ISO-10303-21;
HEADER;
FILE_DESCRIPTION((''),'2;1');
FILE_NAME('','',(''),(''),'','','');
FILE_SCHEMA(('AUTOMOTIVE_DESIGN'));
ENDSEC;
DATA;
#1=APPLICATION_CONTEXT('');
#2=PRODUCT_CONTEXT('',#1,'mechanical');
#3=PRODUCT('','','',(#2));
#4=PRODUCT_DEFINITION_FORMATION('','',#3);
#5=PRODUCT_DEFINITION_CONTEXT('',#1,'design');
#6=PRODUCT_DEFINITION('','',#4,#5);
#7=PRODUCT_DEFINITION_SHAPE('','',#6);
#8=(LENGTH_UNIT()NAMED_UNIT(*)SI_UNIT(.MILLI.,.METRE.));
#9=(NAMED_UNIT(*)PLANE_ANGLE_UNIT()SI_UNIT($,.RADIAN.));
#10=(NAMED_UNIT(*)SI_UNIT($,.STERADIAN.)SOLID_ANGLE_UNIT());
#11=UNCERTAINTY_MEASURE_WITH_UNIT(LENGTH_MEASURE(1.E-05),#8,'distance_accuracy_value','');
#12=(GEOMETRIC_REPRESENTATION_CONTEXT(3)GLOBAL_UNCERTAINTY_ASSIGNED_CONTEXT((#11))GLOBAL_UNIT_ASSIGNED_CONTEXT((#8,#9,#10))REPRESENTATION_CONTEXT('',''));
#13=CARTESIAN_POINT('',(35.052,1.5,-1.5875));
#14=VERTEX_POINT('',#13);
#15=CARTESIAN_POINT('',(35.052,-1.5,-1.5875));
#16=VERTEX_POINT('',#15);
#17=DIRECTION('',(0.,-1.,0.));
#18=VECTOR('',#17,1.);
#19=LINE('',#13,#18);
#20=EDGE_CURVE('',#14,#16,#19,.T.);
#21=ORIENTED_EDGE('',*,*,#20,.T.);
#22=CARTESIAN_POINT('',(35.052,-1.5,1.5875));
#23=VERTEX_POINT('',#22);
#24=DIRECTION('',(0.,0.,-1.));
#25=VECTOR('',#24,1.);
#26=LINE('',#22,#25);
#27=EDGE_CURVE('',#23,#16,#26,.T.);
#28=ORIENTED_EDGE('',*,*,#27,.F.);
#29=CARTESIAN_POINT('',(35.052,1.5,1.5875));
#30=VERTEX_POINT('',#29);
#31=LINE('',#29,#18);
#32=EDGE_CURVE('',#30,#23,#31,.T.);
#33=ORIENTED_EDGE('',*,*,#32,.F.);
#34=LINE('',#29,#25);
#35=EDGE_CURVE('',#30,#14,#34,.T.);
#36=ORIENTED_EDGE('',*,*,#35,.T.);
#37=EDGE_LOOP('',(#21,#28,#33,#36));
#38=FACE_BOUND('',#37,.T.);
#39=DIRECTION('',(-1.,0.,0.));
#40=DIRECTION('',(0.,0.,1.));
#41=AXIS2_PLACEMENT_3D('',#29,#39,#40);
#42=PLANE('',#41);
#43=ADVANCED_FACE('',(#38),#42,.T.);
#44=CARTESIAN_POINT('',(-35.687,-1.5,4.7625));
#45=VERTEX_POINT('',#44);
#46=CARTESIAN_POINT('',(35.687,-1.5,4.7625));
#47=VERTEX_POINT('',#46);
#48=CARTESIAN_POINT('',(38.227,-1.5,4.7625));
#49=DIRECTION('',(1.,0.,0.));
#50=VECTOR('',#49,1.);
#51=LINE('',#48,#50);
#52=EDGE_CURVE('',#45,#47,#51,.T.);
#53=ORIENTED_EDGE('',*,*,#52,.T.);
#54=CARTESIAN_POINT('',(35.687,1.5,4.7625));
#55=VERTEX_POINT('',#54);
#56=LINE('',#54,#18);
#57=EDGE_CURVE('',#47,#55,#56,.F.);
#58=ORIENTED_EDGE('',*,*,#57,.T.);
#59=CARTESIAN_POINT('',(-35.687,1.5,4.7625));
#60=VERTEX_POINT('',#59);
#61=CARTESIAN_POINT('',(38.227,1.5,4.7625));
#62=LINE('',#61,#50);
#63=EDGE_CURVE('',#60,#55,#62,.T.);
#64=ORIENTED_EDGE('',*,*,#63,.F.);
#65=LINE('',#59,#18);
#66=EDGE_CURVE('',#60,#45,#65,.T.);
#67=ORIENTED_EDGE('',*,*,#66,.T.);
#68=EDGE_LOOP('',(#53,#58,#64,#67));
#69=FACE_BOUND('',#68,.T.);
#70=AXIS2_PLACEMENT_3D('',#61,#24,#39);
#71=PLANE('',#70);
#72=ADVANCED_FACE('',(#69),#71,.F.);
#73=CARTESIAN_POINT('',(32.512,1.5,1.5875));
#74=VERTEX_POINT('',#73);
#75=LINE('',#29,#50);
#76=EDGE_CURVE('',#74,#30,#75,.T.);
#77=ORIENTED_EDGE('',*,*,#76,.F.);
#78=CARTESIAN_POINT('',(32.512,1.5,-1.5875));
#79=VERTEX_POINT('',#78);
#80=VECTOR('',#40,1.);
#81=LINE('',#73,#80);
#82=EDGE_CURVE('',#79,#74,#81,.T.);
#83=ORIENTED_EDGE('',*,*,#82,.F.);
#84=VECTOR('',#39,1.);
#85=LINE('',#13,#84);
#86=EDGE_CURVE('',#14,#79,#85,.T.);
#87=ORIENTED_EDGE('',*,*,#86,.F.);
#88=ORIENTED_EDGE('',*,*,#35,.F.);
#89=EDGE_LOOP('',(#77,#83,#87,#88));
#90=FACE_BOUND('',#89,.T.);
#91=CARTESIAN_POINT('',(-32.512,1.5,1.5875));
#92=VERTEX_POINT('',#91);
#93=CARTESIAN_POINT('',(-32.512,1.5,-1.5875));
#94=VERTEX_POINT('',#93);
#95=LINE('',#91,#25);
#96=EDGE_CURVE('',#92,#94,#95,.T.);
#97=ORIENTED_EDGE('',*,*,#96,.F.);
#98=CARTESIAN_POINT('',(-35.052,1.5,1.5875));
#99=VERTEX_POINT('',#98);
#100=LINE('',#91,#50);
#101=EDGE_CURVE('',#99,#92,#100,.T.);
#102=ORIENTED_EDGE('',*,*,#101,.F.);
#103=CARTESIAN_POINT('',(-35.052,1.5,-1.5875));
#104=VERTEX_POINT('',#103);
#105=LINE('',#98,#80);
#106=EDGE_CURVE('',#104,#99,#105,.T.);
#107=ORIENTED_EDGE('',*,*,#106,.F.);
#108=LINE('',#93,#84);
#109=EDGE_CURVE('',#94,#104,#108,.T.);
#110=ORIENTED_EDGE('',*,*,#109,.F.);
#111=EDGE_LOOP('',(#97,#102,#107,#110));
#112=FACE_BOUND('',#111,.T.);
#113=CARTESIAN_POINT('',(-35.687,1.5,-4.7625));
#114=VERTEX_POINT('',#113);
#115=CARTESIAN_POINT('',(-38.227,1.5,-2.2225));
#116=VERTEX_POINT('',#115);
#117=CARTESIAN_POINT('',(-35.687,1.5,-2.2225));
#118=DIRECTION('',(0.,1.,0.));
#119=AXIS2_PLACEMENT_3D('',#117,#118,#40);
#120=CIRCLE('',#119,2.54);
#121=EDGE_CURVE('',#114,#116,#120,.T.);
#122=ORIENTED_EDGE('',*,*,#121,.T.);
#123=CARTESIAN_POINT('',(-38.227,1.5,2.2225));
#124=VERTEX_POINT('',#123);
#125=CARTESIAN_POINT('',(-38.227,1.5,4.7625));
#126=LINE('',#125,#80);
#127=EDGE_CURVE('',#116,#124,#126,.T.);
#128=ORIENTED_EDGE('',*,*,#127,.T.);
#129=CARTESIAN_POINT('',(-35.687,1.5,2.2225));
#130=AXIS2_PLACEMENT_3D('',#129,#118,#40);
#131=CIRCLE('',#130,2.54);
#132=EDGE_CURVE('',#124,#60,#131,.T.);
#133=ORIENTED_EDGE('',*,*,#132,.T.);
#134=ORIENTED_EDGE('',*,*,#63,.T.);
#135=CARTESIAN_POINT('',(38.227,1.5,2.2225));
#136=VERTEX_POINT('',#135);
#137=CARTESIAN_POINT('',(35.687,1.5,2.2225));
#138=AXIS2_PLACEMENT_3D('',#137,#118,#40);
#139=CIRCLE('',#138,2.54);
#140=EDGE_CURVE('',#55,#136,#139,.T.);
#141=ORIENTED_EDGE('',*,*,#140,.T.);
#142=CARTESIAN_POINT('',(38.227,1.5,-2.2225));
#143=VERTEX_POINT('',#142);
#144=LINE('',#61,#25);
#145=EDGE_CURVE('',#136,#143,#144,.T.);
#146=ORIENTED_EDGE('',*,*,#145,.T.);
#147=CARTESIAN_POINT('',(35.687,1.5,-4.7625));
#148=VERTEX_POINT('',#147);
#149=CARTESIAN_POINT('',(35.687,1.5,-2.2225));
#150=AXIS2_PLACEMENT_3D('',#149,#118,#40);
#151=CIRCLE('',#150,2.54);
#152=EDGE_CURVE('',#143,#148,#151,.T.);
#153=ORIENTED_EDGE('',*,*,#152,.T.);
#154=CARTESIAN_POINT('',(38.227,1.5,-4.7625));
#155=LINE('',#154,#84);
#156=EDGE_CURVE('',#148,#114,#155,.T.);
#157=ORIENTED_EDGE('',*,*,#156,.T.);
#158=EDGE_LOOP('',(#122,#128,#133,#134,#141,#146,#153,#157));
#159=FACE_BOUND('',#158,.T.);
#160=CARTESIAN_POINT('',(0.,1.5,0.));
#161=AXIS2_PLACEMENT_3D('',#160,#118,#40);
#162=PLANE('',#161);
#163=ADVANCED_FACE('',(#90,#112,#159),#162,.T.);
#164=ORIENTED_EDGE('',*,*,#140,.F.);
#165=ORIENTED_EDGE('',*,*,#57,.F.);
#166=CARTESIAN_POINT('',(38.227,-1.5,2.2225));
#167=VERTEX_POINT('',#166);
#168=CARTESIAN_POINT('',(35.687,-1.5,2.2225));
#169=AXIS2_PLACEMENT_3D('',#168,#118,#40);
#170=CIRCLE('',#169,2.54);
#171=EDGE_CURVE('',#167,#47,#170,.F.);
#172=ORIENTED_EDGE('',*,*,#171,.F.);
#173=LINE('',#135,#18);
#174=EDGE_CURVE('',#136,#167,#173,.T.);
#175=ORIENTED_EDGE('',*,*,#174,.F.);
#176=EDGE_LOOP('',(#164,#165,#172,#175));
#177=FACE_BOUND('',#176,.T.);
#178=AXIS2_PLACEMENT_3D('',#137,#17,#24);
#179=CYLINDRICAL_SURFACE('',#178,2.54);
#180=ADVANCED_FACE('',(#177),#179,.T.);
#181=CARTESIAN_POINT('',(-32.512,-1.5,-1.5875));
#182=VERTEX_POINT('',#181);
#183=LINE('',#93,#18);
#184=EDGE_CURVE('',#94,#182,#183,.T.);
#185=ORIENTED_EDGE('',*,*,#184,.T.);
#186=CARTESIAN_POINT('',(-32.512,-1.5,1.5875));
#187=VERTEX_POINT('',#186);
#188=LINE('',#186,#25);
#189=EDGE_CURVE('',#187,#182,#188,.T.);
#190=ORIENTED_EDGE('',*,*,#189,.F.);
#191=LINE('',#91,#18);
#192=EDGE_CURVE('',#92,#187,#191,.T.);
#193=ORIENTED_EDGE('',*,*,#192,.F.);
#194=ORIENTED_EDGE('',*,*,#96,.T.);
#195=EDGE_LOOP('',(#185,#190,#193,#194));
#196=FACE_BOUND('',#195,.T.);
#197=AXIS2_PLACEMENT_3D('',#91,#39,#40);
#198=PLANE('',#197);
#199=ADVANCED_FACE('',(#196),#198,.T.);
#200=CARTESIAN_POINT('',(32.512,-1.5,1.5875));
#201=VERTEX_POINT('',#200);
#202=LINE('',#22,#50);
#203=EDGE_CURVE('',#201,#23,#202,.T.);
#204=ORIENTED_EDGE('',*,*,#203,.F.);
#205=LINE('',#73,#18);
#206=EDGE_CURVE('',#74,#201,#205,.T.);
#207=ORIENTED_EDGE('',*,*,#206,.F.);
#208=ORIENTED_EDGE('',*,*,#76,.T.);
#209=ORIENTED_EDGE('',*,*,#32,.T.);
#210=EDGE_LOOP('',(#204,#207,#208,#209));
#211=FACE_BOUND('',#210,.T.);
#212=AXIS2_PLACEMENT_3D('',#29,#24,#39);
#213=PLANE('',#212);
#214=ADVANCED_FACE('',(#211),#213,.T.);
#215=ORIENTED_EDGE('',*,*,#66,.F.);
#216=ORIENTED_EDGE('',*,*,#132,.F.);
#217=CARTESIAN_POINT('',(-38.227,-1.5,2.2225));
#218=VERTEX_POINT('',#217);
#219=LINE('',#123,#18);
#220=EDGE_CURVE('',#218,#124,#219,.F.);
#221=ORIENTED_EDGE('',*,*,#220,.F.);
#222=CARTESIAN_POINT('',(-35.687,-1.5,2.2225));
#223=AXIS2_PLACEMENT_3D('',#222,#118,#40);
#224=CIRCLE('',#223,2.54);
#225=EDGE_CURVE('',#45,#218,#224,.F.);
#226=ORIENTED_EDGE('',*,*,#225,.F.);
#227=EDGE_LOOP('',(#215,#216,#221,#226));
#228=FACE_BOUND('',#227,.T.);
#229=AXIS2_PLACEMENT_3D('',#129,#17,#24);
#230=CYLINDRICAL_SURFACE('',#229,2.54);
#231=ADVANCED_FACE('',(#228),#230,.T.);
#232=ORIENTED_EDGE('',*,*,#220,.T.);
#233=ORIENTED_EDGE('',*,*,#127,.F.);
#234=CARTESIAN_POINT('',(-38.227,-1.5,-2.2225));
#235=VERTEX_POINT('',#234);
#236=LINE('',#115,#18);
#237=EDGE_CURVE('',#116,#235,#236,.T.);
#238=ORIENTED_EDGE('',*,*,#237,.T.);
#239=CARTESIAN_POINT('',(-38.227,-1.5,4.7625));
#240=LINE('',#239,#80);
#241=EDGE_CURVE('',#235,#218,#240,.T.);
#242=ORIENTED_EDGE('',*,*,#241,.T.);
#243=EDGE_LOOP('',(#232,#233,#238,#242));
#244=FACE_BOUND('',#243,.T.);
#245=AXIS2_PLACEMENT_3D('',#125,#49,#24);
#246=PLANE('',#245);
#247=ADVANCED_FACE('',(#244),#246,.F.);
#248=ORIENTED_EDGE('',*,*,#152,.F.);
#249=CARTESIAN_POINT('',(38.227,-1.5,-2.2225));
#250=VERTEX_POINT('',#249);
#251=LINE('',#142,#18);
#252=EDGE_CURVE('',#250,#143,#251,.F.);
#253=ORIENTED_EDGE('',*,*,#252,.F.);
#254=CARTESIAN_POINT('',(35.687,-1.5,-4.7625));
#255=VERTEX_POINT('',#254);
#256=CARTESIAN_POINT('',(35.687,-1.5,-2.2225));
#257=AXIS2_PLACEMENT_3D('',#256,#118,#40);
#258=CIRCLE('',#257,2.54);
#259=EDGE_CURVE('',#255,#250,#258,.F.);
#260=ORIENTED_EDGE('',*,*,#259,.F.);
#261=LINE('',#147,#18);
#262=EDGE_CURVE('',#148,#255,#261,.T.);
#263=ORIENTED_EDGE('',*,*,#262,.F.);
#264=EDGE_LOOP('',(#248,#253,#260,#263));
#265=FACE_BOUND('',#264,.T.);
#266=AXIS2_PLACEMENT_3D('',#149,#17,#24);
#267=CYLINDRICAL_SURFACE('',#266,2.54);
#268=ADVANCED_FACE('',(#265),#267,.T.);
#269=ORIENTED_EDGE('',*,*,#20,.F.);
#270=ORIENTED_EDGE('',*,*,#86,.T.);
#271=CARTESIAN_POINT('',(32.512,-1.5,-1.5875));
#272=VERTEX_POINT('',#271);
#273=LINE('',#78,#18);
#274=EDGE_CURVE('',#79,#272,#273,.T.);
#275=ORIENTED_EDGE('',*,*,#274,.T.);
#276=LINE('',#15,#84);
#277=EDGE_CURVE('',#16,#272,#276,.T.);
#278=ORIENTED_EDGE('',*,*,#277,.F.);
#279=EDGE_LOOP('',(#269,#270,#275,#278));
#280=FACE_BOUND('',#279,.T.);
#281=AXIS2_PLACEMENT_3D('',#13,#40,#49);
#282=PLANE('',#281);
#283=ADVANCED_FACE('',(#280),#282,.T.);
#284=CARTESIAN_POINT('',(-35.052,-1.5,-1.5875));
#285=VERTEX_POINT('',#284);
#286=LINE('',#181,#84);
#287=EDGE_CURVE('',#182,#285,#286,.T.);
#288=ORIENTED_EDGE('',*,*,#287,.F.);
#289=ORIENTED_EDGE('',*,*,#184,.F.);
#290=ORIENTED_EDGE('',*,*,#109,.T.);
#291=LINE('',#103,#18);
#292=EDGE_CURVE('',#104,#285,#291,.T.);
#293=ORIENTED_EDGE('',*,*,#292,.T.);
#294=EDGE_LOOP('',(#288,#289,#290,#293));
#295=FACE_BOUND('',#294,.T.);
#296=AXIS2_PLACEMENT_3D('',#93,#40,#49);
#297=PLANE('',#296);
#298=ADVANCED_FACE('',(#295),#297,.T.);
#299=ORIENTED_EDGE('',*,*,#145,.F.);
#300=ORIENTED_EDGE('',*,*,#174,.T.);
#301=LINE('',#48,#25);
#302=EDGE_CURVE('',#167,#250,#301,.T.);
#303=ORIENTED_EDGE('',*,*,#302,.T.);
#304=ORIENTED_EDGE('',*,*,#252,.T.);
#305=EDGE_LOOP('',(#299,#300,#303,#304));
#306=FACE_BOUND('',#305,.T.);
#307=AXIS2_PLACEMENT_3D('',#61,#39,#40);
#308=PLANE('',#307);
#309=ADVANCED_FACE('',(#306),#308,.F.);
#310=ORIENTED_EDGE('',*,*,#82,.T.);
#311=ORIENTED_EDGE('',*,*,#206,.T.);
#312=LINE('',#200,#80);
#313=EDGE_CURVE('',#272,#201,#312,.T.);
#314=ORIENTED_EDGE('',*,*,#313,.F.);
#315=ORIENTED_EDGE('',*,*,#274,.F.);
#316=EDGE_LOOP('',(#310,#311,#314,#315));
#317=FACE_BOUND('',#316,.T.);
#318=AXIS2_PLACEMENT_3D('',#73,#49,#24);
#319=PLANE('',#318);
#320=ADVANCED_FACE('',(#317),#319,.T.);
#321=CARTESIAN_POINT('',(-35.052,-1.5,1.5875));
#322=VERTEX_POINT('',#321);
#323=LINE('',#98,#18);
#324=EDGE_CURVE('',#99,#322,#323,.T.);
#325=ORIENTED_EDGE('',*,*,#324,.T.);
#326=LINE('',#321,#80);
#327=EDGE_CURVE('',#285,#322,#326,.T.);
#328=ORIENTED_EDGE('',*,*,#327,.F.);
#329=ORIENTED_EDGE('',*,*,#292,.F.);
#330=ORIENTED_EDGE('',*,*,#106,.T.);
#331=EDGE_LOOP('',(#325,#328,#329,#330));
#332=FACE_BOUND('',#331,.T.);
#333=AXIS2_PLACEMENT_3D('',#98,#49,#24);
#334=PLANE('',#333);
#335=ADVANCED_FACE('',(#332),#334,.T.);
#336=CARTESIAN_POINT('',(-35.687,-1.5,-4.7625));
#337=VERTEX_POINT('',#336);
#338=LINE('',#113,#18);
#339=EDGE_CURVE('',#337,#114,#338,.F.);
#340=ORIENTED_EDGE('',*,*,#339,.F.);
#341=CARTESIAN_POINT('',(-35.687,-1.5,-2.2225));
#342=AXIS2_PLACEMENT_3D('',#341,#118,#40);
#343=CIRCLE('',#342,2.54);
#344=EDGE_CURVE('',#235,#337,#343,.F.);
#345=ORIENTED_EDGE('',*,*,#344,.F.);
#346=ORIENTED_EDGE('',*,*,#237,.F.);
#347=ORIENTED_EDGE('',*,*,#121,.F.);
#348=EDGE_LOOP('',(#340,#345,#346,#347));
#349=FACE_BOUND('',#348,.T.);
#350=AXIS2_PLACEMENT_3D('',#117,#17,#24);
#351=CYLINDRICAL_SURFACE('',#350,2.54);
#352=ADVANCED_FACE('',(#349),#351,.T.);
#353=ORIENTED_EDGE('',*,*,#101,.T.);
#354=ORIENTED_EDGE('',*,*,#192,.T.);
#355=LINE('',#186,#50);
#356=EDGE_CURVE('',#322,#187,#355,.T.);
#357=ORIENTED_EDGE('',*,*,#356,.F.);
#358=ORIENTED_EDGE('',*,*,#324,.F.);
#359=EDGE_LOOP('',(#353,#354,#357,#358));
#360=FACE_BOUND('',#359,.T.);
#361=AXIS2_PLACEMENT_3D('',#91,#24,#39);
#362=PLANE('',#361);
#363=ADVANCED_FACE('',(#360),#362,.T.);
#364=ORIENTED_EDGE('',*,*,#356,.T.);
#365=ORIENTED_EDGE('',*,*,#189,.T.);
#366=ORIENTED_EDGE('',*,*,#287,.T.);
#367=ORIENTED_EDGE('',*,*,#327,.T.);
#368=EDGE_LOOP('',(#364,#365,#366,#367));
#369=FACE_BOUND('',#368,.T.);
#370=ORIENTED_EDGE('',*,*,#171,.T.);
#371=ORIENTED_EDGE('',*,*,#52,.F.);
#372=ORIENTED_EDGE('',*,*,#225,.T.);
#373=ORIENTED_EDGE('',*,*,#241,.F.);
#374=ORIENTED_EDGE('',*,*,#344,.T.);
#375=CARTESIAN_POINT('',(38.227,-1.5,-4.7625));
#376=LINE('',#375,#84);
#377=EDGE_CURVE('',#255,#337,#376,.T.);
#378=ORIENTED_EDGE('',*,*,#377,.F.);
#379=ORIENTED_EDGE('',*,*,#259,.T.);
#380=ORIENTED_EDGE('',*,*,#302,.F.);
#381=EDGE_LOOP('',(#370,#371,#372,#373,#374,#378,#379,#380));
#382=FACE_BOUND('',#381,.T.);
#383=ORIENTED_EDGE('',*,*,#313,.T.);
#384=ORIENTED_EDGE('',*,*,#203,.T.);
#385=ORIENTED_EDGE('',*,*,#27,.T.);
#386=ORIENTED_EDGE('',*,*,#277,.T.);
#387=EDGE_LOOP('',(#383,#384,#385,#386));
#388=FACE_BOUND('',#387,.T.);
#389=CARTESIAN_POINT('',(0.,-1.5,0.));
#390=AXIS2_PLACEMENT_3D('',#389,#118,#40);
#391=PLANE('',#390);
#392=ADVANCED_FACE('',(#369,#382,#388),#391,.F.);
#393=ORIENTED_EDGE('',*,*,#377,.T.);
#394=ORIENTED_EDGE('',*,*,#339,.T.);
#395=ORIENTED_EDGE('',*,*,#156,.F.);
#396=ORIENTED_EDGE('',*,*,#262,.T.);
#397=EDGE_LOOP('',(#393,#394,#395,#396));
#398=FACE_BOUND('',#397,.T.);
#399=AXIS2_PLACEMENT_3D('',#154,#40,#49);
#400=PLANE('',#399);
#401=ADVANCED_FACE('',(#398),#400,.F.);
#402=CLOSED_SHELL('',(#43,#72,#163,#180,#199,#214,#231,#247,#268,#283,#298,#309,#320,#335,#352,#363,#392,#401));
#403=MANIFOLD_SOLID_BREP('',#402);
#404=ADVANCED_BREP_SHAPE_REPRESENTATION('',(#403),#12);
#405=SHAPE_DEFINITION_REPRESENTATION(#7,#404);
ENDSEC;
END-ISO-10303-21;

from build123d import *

# Parameters (mm, degrees)
SKETCH1_W           = 76.454
SKETCH1_H           = 9.525
SKETCH1_W_2         = 2.54
SKETCH1_H_2         = 3.175
BOSS_EXTRUDE1_DEPTH = 1.5
FILLET1_R           = 2.54


with BuildPart() as part:
    # Sketch1 → Boss-Extrude1 (new, symmetric)
    with BuildSketch(Plane(origin=(0, 0, 0), x_dir=(1, 0, 0), z_dir=(0, 1, 0))):
        Rectangle(SKETCH1_W, SKETCH1_H)
        with Locations((-33.782, 0)):
            Rectangle(SKETCH1_W_2, SKETCH1_H_2, mode=Mode.SUBTRACT)
        with Locations((33.782, 0)):
            Rectangle(SKETCH1_W_2, SKETCH1_H_2, mode=Mode.SUBTRACT)
    extrude(amount=BOSS_EXTRUDE1_DEPTH, both=True)

    # Fillet1
    fillet1_edges = [part.edges().sort_by_distance(p)[0] for p in [
        (-38.227, 0, -4.7625),
        (38.227, 0, -4.7625),
        (38.227, 0, 4.7625),
        (-38.227, 0, 4.7625),
    ]]
    fillet(fillet1_edges, radius=FILLET1_R)


solid = part.part
